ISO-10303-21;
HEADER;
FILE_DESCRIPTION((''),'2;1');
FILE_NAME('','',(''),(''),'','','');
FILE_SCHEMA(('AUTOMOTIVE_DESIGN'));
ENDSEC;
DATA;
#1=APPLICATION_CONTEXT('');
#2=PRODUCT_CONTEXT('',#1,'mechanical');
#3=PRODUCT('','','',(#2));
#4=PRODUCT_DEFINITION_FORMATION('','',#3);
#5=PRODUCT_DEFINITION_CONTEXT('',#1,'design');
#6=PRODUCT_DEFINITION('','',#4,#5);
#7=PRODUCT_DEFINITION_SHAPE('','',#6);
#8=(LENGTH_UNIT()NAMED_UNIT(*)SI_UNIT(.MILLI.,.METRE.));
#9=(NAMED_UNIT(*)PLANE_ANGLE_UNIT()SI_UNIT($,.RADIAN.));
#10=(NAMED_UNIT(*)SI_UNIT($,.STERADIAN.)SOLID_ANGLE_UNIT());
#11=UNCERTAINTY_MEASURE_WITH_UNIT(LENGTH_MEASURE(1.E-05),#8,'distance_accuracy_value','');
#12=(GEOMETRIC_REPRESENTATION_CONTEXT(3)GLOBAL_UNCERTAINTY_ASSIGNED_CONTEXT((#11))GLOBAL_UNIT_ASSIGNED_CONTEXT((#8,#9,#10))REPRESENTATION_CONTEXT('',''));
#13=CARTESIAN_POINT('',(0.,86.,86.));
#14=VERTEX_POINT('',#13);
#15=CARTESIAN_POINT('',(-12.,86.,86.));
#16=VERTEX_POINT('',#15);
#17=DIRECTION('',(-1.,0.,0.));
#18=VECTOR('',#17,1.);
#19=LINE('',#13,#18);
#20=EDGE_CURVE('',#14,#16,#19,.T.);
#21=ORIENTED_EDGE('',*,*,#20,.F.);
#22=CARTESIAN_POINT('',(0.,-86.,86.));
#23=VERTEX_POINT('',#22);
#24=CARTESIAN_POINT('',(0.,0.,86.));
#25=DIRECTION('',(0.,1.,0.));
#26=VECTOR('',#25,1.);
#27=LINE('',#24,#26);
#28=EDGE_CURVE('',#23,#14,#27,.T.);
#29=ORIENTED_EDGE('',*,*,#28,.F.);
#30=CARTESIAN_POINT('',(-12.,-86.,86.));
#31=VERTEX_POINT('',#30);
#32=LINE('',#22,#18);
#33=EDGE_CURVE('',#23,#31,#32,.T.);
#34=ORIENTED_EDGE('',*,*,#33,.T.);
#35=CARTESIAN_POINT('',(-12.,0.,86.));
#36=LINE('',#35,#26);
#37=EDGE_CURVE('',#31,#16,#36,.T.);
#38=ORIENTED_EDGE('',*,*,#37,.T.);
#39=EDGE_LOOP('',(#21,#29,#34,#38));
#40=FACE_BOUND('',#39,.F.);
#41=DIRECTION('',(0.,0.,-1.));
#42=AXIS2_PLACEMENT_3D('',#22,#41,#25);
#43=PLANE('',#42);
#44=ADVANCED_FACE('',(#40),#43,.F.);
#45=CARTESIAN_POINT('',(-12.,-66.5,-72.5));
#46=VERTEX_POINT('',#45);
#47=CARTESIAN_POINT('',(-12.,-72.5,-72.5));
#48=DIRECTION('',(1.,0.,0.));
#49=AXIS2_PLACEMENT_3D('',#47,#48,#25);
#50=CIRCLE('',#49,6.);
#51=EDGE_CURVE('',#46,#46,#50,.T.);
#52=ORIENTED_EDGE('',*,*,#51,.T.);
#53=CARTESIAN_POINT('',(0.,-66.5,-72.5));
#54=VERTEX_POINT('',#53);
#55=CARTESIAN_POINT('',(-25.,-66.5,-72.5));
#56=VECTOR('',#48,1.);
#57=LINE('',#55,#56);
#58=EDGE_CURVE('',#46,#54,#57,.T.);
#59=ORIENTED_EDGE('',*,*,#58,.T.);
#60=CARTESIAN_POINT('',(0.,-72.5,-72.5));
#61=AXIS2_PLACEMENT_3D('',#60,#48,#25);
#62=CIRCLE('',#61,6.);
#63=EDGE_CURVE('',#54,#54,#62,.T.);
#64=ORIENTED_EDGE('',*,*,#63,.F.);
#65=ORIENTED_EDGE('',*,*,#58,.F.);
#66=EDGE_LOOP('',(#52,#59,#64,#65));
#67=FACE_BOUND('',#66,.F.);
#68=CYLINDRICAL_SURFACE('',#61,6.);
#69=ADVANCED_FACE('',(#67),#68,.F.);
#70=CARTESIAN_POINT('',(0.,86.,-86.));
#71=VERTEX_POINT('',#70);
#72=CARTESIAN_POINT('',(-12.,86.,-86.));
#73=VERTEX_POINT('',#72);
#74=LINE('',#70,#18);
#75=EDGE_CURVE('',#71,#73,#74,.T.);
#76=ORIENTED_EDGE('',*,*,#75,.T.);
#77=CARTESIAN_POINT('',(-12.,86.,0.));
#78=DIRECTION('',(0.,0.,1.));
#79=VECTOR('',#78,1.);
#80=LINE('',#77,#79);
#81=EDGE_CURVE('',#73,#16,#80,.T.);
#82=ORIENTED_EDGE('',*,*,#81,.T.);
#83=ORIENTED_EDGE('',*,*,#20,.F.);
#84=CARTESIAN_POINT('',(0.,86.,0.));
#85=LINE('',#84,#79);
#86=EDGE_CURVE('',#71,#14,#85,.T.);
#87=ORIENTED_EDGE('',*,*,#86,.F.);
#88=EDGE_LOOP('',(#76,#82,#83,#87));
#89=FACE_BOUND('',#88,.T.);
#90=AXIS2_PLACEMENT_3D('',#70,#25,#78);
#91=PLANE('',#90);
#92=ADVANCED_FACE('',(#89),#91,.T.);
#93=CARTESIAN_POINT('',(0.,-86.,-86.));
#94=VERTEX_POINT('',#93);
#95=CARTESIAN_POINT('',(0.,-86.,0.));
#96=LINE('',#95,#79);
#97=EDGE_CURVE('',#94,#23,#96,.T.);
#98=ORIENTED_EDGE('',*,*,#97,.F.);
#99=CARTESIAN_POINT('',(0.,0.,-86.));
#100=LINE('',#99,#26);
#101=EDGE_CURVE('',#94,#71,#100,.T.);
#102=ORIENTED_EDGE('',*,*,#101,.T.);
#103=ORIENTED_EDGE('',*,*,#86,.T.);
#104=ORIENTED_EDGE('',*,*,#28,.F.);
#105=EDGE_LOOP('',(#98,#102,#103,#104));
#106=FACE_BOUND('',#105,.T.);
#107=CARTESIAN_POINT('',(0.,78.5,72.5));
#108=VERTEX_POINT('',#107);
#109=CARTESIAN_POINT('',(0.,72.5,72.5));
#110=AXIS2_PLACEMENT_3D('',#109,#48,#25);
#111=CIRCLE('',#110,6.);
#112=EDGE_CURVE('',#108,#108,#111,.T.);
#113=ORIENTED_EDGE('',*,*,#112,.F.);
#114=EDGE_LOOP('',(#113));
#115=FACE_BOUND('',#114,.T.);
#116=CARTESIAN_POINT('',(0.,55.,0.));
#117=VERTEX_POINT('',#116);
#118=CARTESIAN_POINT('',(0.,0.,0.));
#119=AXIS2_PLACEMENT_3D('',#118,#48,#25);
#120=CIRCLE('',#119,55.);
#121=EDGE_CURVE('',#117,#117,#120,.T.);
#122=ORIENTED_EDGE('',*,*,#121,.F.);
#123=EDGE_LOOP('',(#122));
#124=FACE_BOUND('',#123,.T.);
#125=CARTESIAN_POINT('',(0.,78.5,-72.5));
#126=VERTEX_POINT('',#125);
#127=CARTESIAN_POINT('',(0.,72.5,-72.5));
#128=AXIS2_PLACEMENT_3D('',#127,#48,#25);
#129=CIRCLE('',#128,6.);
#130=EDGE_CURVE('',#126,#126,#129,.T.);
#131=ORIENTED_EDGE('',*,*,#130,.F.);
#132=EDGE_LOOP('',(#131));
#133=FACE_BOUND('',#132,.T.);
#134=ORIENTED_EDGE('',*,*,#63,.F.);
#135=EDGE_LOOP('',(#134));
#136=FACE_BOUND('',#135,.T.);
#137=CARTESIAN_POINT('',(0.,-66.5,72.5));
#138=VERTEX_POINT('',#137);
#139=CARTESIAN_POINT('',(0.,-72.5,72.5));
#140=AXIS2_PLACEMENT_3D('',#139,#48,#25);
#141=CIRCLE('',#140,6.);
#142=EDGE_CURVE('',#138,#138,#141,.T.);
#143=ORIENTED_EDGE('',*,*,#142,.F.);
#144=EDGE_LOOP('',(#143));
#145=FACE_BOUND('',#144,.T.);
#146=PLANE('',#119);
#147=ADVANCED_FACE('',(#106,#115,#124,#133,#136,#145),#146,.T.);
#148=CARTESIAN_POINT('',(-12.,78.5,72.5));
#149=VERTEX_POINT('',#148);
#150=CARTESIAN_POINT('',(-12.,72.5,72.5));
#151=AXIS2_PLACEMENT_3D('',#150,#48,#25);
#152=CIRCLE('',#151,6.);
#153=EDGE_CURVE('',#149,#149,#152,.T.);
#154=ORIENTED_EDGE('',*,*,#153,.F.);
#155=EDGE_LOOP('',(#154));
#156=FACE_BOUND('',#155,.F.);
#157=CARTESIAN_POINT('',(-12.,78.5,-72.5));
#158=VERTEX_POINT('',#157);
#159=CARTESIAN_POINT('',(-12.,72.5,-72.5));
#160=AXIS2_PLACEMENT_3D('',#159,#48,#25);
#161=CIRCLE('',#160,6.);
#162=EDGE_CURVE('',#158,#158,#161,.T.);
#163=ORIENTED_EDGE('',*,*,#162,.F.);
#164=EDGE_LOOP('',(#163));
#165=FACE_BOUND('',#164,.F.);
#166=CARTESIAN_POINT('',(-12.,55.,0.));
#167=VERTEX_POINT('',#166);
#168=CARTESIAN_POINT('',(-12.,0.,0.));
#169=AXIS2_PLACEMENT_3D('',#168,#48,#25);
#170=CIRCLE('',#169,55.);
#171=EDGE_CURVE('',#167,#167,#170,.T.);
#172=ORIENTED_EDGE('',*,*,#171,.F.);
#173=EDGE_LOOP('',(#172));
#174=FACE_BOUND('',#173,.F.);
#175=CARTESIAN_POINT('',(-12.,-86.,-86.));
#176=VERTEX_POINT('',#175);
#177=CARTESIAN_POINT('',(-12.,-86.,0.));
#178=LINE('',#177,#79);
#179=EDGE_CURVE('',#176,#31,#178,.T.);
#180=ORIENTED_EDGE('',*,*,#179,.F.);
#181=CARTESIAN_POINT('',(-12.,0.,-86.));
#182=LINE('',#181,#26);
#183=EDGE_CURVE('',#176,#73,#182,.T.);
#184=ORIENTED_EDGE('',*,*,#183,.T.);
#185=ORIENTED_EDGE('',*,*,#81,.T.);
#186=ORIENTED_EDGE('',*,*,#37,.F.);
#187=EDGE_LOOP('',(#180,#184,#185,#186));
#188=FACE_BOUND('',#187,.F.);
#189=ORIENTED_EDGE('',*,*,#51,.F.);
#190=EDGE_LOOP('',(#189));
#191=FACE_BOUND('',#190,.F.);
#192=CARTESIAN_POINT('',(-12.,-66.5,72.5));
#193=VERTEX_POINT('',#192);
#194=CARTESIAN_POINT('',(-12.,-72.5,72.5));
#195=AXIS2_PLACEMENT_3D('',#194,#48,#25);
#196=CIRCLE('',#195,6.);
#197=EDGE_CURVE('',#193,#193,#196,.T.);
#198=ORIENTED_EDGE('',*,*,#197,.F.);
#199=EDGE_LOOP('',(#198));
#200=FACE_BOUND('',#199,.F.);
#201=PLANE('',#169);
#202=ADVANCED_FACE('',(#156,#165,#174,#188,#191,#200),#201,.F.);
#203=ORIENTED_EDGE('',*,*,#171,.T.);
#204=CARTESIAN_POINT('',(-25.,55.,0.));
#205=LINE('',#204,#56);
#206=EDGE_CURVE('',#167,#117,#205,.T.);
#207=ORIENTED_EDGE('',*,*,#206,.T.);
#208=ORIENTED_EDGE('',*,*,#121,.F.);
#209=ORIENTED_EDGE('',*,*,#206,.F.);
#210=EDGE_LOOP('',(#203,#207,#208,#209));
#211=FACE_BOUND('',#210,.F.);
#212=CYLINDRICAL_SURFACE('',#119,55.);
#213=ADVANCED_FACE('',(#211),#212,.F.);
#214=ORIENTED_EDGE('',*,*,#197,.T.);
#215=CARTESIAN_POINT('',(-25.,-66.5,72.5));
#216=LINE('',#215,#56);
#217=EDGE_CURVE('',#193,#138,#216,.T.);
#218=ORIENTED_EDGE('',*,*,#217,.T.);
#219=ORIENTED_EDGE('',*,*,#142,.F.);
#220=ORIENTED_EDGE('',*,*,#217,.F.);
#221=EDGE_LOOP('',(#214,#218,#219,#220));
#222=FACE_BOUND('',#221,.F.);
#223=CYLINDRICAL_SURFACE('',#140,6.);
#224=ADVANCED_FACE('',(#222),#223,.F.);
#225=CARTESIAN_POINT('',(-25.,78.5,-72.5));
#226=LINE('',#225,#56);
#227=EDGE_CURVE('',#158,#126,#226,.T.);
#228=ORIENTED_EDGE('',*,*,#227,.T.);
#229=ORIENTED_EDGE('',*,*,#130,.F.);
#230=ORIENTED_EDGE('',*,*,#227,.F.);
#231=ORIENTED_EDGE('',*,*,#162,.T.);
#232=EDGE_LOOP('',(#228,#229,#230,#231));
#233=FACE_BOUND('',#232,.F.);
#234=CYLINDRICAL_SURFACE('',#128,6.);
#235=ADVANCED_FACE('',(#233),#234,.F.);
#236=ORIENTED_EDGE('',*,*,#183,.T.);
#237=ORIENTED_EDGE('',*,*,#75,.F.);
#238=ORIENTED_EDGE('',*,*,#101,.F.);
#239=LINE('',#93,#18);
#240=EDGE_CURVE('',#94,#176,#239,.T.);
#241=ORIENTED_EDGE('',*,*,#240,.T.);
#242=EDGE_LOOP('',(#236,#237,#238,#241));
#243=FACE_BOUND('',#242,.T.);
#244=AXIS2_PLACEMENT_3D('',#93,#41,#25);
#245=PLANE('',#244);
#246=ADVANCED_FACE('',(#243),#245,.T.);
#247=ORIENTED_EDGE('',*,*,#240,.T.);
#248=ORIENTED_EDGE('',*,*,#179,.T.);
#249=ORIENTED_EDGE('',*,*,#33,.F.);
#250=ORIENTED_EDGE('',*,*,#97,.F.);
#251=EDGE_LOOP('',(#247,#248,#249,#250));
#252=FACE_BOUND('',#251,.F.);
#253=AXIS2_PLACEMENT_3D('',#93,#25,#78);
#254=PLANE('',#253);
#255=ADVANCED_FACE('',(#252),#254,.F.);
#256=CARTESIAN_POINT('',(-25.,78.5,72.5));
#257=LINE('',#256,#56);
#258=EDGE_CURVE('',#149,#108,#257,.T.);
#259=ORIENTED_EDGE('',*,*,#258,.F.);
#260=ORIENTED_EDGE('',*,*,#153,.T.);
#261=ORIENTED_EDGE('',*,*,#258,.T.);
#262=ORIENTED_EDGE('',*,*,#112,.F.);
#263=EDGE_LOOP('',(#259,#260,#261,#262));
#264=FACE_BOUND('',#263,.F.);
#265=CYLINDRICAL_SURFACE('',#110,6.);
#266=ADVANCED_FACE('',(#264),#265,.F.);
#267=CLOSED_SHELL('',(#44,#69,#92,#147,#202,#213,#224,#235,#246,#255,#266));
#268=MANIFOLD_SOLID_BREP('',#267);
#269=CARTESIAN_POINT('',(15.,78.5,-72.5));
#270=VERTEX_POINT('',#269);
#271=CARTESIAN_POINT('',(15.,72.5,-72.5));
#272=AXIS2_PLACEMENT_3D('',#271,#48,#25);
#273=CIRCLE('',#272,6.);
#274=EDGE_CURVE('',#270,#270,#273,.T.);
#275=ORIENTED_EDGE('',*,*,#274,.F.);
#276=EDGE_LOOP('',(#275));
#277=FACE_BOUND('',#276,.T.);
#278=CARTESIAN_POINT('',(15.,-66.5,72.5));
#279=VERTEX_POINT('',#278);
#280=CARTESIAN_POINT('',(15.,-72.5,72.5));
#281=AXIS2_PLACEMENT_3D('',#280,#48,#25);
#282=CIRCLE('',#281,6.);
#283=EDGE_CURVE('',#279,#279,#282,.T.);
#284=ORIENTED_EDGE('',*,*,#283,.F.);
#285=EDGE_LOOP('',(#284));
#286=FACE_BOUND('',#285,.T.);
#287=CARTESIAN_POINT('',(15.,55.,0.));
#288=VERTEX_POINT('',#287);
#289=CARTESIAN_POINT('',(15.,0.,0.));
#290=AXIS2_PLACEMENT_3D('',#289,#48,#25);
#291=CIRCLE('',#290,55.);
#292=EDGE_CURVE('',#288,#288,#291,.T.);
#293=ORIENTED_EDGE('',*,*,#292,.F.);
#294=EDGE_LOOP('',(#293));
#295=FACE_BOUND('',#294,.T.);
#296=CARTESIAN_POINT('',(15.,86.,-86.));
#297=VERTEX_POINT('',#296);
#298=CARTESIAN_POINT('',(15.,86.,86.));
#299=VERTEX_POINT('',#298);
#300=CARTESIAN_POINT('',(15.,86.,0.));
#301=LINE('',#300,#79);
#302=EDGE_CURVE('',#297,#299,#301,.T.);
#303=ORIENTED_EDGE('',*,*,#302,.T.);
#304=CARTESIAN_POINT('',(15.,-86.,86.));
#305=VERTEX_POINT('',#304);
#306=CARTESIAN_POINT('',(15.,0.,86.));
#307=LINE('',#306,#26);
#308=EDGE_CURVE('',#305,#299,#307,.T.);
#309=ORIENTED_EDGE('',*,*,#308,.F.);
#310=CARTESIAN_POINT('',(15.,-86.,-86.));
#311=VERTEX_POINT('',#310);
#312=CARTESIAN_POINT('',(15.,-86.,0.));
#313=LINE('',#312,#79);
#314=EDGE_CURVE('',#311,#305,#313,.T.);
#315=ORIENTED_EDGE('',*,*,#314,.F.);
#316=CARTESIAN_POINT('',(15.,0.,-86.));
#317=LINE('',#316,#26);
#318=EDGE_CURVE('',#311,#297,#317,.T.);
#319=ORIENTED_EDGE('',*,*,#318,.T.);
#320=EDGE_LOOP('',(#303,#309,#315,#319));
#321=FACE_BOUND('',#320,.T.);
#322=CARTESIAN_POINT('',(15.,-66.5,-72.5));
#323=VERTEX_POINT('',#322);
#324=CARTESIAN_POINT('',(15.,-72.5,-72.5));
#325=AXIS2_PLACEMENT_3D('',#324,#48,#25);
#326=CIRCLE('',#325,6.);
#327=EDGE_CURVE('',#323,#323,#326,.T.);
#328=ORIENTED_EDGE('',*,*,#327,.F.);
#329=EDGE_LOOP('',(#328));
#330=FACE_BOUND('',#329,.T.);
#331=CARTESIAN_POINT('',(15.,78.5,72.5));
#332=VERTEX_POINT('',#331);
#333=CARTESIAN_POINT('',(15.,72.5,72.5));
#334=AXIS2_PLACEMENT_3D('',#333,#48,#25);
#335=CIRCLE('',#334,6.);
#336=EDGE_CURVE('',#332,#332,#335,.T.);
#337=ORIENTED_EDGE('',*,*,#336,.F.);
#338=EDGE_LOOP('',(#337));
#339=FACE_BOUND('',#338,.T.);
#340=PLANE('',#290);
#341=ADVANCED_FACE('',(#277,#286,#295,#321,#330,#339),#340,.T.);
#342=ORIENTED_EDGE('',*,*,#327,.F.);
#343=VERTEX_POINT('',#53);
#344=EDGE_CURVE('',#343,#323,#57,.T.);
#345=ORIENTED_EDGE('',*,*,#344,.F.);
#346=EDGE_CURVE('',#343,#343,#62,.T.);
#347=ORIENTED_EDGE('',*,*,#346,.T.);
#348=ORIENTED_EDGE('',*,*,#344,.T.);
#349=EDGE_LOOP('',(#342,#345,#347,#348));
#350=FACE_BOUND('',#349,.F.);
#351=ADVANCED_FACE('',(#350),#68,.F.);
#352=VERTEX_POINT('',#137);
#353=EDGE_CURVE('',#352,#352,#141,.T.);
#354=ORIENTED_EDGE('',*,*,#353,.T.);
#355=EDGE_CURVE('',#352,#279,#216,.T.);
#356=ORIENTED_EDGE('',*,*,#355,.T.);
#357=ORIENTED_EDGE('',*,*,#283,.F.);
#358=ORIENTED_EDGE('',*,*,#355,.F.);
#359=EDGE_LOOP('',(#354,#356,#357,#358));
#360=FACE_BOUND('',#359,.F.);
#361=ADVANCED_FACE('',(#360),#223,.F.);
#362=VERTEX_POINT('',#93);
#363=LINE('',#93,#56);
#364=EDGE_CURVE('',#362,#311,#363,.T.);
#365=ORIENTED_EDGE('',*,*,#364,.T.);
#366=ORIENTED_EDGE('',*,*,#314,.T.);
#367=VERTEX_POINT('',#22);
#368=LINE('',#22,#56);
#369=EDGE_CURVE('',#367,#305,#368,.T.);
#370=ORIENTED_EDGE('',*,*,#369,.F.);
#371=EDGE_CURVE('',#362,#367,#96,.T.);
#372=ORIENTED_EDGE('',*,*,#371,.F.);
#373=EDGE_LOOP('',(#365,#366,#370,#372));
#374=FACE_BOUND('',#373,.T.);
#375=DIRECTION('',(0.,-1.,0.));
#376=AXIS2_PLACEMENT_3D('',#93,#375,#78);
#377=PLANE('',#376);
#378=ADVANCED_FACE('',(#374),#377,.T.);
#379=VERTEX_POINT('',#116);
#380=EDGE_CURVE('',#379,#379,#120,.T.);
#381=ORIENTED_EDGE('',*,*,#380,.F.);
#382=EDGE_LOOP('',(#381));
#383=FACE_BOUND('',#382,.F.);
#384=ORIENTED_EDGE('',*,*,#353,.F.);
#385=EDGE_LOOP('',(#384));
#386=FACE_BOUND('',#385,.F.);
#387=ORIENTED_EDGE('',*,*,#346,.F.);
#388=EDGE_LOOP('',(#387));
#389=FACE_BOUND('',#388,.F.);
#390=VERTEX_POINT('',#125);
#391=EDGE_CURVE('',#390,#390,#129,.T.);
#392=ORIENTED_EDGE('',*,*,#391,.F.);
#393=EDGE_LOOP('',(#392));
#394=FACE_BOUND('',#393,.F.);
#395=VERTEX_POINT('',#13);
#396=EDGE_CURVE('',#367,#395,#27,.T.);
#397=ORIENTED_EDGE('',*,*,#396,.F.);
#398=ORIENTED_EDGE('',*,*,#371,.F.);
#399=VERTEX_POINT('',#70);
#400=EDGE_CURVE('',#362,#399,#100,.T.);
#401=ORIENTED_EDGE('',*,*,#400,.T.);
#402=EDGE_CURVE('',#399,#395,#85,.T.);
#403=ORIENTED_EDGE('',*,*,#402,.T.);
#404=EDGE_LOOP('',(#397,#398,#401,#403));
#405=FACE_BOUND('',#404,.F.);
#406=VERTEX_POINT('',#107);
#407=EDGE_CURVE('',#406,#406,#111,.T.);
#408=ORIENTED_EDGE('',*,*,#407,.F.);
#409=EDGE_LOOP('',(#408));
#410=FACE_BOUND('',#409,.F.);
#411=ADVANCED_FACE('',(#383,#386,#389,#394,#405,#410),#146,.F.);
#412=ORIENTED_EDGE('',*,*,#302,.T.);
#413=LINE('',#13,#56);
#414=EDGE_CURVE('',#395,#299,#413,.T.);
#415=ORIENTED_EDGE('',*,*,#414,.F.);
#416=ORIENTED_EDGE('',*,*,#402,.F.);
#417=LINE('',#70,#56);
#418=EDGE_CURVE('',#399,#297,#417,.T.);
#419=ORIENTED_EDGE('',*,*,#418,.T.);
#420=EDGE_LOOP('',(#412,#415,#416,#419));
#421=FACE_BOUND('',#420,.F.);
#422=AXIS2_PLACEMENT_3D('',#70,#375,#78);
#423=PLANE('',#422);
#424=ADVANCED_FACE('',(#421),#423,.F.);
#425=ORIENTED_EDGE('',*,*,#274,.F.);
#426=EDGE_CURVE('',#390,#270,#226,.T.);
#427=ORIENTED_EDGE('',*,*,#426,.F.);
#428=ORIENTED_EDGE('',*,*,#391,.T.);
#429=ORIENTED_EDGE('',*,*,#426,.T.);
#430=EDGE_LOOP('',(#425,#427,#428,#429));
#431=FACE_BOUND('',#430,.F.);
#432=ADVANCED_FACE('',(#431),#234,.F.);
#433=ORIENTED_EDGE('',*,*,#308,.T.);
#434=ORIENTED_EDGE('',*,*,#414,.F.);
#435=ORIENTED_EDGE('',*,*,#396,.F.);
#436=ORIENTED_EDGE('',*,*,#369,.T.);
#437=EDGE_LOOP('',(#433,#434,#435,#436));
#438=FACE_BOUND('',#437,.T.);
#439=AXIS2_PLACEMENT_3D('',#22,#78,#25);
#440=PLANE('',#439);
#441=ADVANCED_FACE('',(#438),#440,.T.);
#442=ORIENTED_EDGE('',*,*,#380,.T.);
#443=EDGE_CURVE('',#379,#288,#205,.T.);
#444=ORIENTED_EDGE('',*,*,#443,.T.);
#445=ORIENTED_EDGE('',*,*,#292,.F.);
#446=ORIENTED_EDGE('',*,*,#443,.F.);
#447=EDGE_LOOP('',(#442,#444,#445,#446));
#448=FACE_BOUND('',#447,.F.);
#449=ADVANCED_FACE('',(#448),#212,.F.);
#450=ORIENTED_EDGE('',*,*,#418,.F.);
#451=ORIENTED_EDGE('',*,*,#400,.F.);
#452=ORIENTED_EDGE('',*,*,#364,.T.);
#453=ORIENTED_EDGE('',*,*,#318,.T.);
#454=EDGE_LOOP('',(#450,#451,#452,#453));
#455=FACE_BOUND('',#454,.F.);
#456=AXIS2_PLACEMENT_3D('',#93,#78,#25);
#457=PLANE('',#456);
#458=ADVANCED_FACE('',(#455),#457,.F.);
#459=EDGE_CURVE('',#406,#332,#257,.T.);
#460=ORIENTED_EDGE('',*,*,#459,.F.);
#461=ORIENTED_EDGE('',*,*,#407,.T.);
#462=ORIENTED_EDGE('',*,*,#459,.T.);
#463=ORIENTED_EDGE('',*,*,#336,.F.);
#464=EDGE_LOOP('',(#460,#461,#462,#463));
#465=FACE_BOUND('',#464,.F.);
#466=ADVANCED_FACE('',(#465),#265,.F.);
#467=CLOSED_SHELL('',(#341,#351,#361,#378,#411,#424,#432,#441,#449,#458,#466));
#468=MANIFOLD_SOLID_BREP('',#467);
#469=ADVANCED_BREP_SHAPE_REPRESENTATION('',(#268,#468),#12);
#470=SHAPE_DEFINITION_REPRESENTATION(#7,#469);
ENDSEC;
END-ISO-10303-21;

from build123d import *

# Parameters (mm, degrees)
F0_W          = 172
F0_H          = 172
F1_DEPTH      = 15
F2_DEPTH      = 12
F3_R          = 6
F4_DEPTH      = 25
F4_DEPTH_BACK = 25
F6_R          = 55
F7_DEPTH      = 25
F7_DEPTH_BACK = 25


with BuildPart() as f1:
    # F0 (on Right) → F1 (new body)
    with BuildSketch(Plane.YZ):
        Rectangle(F0_W, F0_H)
    extrude(amount=F1_DEPTH)


with BuildPart() as f2:
    # F0 (on Right) → F2 (new body)
    with BuildSketch(Plane.YZ):
        Rectangle(F0_W, F0_H)
    extrude(amount=-F2_DEPTH)


with BuildPart() as f4:
    # F3 (on Right) → F4 (new body, two sides)
    with BuildSketch(Plane.YZ) as f4_sk:
        with Locations((-72.5, 72.5)):
            Circle(F3_R)
        with Locations((-72.5, -72.5)):
            Circle(F3_R)
        with Locations((72.5, 72.5)):
            Circle(F3_R)
        with Locations((72.5, -72.5)):
            Circle(F3_R)
    extrude(amount=F4_DEPTH)
    extrude(f4_sk.sketch, amount=-F4_DEPTH_BACK)


with BuildPart() as f1_1:
    add(f1.part)

    # F5: cut F4
    add(f4.part, mode=Mode.SUBTRACT)


with BuildPart() as f2_1:
    add(f2.part)

    # F5: cut F4
    add(f4.part, mode=Mode.SUBTRACT)


with BuildPart() as f7:
    # F6 (on Right) → F7 (new body, two sides)
    with BuildSketch(Plane.YZ) as f7_sk:
        Circle(F6_R)
    extrude(amount=F7_DEPTH)
    extrude(f7_sk.sketch, amount=-F7_DEPTH_BACK)


with BuildPart() as f1_2:
    add(f1_1.part)

    # F8: cut F7
    add(f7.part, mode=Mode.SUBTRACT)


with BuildPart() as f2_2:
    add(f2_1.part)

    # F8: cut F7
    add(f7.part, mode=Mode.SUBTRACT)


solid = Compound([f1_2.part, f2_2.part])
